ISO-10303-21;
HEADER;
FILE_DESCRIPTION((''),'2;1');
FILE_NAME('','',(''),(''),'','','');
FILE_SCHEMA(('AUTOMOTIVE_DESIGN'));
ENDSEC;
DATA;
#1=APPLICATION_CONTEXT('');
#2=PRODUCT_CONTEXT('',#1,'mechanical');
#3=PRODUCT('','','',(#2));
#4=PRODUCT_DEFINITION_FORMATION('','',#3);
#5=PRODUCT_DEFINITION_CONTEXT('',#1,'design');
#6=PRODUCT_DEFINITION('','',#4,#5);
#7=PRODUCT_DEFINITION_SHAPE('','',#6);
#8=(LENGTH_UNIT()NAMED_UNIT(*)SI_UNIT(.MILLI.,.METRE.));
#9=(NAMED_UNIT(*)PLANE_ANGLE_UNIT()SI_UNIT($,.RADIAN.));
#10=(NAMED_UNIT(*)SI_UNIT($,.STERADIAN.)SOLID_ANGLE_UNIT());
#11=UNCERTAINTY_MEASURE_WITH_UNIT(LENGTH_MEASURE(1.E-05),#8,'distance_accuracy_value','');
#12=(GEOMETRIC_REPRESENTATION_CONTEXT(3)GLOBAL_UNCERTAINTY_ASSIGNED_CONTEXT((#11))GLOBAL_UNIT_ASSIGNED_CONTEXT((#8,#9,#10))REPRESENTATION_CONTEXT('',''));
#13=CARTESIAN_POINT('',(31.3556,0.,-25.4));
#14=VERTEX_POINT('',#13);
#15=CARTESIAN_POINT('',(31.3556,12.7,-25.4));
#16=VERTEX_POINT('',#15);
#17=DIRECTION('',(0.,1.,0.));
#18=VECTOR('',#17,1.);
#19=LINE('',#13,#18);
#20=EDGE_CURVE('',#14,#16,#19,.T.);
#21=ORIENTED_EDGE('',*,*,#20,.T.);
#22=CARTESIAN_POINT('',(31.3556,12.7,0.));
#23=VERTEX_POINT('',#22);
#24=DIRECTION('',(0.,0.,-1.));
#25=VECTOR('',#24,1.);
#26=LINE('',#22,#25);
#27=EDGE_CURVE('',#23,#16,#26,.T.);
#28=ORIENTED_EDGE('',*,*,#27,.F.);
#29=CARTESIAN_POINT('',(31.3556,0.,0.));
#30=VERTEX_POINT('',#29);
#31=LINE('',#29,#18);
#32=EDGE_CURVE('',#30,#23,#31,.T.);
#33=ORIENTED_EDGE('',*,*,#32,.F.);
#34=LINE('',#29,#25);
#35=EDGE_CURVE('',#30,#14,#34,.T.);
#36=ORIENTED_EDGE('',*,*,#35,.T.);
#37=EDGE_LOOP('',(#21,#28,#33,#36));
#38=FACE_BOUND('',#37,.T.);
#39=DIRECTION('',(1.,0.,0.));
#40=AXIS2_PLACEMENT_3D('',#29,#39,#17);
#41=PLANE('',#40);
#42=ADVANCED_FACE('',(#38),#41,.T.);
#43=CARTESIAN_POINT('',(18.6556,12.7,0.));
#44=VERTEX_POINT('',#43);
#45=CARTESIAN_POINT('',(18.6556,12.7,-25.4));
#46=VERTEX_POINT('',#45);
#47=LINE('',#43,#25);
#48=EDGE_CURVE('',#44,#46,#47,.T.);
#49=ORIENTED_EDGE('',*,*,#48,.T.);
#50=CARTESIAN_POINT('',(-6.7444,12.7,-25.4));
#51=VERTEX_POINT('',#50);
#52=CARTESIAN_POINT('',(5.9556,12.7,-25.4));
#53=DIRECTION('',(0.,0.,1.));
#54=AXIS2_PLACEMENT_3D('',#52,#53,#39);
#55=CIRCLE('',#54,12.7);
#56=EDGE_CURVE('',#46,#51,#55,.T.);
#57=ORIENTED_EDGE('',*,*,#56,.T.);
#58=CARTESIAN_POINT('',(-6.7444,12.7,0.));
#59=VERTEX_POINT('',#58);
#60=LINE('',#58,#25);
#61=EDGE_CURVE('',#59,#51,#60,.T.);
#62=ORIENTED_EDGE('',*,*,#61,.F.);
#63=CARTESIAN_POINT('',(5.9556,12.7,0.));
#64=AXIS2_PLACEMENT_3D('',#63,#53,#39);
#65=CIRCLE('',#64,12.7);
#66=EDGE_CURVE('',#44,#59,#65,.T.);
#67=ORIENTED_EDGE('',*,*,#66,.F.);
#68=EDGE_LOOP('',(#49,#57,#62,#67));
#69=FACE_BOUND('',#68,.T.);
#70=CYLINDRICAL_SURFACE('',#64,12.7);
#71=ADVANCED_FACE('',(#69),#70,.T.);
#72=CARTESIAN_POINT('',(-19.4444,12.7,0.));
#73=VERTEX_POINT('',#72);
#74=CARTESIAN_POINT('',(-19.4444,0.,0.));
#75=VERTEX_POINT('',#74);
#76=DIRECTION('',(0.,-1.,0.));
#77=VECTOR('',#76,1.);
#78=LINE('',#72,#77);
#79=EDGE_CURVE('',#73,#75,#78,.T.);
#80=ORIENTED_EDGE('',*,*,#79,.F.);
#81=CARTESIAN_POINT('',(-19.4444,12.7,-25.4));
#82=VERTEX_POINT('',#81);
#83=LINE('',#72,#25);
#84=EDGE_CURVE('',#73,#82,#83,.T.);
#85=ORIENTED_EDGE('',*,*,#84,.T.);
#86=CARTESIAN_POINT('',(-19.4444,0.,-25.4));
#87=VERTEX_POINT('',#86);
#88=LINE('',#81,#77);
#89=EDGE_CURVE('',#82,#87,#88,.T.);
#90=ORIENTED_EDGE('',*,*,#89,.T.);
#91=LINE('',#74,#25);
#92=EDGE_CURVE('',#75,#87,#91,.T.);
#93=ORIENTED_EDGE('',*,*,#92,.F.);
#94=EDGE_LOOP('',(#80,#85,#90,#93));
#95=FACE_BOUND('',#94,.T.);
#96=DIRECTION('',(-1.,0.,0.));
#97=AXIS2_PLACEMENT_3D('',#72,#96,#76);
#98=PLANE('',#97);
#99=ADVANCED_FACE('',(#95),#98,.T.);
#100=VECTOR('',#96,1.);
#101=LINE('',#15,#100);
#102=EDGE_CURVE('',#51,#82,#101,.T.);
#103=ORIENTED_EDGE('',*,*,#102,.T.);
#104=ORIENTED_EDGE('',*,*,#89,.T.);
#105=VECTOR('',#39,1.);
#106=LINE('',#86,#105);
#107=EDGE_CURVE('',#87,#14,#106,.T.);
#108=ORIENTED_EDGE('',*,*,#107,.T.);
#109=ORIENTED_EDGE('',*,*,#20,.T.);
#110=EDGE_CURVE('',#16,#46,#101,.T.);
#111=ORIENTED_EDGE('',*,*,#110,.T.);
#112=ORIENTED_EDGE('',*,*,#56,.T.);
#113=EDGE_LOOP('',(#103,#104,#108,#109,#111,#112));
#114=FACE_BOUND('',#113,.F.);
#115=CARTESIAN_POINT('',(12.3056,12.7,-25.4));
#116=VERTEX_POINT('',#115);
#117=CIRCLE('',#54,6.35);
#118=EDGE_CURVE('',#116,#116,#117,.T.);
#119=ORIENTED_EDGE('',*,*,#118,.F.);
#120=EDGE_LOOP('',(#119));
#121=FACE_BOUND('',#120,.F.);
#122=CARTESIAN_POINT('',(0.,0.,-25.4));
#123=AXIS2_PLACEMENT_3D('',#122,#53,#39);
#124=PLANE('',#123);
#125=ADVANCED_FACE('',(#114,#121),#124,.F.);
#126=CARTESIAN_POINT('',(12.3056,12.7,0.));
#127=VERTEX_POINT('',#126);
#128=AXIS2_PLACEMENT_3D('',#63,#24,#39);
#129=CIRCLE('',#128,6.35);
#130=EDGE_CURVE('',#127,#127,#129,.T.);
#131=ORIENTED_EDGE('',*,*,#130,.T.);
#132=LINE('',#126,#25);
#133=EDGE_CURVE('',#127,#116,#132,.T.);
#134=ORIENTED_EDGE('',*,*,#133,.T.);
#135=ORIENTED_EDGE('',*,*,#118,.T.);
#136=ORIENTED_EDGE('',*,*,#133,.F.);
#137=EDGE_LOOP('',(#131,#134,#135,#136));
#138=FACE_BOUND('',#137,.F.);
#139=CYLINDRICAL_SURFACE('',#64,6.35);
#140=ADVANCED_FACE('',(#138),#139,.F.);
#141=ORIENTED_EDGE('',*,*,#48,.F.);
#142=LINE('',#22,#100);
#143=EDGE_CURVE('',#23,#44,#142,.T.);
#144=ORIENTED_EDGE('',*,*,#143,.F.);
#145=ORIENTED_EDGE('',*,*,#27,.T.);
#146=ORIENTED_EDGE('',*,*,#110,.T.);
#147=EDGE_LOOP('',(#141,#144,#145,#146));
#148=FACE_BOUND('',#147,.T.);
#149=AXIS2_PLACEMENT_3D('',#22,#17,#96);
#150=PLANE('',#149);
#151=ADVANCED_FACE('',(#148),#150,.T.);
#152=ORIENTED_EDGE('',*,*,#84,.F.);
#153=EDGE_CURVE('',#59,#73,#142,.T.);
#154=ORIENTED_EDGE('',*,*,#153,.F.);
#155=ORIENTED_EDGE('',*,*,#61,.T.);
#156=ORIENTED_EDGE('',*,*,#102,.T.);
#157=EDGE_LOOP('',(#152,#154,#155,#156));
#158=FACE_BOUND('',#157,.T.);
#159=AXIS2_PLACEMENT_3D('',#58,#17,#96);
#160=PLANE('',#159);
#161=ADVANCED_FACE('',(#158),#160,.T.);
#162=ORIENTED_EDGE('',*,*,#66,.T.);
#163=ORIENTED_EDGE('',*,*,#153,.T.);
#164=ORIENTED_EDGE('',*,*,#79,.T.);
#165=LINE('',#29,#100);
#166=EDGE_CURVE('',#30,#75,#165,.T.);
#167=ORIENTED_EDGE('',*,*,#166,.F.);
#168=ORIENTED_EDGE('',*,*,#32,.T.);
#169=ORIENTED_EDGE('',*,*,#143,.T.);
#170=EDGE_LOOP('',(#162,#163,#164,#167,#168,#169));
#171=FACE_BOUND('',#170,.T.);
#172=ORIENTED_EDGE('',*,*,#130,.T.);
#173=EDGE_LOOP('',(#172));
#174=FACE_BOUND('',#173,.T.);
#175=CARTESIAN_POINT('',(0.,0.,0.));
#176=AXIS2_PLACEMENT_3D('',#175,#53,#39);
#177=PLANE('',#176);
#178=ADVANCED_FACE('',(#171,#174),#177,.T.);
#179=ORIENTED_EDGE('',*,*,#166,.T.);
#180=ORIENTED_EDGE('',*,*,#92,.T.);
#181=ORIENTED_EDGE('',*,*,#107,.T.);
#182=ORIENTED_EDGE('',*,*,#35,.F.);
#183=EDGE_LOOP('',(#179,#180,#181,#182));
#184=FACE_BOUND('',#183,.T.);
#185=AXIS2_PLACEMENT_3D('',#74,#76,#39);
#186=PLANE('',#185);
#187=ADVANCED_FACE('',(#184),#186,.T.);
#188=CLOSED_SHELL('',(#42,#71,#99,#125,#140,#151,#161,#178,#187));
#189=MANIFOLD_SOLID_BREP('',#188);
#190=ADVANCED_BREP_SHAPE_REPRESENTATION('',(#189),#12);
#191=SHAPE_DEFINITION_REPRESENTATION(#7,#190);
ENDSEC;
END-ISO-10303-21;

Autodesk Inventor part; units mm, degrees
ref_plane "YZ Plane" through (0, 0, 0) normal (1, 0, 0) x (0, 1, 0)
ref_plane "XZ Plane" through (0, 0, 0) normal (0, 1, 0) x (-1, 0, 0)
ref_plane "XY Plane" through (0, 0, 0) normal (0, 0, 1) x (1, 0, 0)
sketch "Sketch1" plane through (0, 0, 0) normal (0, 0, 1) x (1, 0, 0)
  line L0 (-19.4444, 0) -> (31.3556, 0)
  line L1 (31.3556, 0) -> (31.3556, 12.7)
  line L2 (31.3556, 12.7) -> (-19.4444, 12.7)
  line L3 (-19.4444, 12.7) -> (-19.4444, 0)
  circle A0 centre (5.9556, 12.7) radius 6.35
  circle A1 centre (5.9556, 12.7) radius 12.7
  point P0 (0, 0)
  dimension "d0" = 50.8
  dimension "d2" = 12.7
  dimension "d3" = 12.7
  dimension "d4" = 25.4
extrude "Extrusion1" add sketch "Sketch1" against normal blind 25.4 contours L3 L2 A1 L0 | A1 L2 L1 L0 | A1 L2 A0 | A1 L2 A0 | L2 A0 picked at (5.205, 10.7209)
extrude "Extrusion2" cut sketch "Sketch1" against normal blind 25.4 contours A0 L2 | L2 A0
properties part number "proxybearing"
